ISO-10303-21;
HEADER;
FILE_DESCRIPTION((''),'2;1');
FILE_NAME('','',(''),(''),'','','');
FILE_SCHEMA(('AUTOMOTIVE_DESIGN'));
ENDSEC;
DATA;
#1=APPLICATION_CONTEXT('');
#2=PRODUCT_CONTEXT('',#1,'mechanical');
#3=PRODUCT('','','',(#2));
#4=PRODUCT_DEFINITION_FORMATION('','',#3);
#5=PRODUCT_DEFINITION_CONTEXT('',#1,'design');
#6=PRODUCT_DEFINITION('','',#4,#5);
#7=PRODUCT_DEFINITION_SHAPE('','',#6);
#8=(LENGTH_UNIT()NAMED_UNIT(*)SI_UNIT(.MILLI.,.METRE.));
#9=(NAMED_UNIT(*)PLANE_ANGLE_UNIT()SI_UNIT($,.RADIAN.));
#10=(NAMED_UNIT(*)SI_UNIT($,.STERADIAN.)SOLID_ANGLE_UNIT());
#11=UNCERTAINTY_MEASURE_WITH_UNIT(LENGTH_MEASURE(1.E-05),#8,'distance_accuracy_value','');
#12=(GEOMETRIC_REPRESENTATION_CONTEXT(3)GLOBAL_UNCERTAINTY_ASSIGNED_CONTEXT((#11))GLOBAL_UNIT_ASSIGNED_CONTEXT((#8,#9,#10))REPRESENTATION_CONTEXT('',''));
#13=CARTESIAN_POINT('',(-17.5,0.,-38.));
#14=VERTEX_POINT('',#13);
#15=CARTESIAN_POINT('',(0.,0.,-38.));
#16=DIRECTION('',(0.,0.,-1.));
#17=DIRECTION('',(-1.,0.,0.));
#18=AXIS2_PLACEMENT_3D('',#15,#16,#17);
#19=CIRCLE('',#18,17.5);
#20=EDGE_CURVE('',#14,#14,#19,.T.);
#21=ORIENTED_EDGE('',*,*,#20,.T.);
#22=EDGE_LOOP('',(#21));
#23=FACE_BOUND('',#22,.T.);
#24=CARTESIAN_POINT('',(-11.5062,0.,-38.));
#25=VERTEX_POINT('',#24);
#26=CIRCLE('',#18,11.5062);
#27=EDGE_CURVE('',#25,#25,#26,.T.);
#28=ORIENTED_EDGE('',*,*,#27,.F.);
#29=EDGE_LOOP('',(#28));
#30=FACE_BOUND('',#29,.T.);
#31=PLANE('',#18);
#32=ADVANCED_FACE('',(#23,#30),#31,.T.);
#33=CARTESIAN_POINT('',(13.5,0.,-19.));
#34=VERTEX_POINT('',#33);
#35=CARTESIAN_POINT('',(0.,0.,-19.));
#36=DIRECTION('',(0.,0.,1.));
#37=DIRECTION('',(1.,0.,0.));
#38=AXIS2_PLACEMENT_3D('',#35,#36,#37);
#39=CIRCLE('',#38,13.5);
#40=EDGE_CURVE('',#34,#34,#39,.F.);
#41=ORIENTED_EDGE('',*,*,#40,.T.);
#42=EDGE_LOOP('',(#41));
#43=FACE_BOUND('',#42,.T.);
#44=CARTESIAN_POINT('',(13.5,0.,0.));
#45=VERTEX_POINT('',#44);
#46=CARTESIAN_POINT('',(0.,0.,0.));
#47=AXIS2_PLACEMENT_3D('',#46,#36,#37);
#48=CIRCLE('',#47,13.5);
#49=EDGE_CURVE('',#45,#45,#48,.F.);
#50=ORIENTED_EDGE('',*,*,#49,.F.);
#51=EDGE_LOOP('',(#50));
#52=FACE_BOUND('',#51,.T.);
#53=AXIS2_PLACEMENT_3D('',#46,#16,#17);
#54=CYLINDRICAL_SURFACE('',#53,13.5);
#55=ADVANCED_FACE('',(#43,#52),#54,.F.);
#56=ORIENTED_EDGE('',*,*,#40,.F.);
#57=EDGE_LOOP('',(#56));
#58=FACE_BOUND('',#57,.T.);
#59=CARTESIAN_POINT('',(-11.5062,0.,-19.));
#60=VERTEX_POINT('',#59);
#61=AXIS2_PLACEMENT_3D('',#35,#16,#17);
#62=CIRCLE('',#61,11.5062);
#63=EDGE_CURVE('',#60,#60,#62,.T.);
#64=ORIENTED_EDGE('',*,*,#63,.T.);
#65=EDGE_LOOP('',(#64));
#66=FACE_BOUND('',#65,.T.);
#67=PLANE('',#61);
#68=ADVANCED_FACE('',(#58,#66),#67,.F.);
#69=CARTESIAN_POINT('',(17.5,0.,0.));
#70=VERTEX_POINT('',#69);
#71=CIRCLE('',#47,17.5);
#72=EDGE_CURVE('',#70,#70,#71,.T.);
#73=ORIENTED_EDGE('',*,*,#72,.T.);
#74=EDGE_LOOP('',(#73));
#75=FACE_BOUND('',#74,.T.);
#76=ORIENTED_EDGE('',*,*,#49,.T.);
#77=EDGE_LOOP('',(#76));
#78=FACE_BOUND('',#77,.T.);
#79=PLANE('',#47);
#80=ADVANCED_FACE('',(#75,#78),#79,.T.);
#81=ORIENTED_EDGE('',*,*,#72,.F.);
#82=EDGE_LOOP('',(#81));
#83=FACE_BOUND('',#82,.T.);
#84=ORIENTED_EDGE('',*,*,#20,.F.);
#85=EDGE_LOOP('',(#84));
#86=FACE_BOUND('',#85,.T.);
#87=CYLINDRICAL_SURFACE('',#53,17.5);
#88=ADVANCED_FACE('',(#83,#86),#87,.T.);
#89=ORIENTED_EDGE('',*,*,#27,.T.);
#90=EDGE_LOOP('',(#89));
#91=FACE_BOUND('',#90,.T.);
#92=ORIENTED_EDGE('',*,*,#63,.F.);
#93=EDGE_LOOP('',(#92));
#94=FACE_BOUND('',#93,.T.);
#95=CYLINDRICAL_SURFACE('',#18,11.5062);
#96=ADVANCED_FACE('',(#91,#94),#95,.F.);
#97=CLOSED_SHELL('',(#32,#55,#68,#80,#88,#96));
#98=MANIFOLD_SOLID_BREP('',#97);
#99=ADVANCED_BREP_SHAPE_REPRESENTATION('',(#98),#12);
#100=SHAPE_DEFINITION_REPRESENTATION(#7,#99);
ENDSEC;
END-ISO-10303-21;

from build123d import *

# Parameters (mm, degrees)
SKETCH1_R                     = 17.5
SKETCH1_R_2                   = 13.5
SKETCH2_R                     = 17.5
PIPE_TAP_DRILL_FOR_3_4_TAP1_D = 23.0124


with BuildPart() as part:
    # Sweep1: sweep along a curve in space
    with BuildLine() as sweep1_path:
        Line((0, 0, 0), (0, 0, -19))
    # Sketch1 → Sweep1 (sweep)
    with BuildSketch(Plane.XY):
        Circle(SKETCH1_R)
        Circle(SKETCH1_R_2, mode=Mode.SUBTRACT)
    sweep(path=sweep1_path.line)

    # Sweep2: sweep along a curve in space
    with BuildLine() as sweep2_path:
        Line((0, 0, -19), (0, 0, -38))
    # Sketch2 → Sweep2 (sweep)
    with BuildSketch(Plane(origin=(0, 0, -19), x_dir=(-1, 0, 0), z_dir=(0, 0, -1))):
        Circle(SKETCH2_R)
    sweep(path=sweep2_path.line)

    # Pipe Tap Drill for 3/4 Tap1 (through all)
    with Locations(Plane(origin=(0, 0, -38), x_dir=(-1, 0, 0), z_dir=(0, 0, -1))):
        with Locations((0, 0)):
            Hole(PIPE_TAP_DRILL_FOR_3_4_TAP1_D / 2)


solid = part.part
